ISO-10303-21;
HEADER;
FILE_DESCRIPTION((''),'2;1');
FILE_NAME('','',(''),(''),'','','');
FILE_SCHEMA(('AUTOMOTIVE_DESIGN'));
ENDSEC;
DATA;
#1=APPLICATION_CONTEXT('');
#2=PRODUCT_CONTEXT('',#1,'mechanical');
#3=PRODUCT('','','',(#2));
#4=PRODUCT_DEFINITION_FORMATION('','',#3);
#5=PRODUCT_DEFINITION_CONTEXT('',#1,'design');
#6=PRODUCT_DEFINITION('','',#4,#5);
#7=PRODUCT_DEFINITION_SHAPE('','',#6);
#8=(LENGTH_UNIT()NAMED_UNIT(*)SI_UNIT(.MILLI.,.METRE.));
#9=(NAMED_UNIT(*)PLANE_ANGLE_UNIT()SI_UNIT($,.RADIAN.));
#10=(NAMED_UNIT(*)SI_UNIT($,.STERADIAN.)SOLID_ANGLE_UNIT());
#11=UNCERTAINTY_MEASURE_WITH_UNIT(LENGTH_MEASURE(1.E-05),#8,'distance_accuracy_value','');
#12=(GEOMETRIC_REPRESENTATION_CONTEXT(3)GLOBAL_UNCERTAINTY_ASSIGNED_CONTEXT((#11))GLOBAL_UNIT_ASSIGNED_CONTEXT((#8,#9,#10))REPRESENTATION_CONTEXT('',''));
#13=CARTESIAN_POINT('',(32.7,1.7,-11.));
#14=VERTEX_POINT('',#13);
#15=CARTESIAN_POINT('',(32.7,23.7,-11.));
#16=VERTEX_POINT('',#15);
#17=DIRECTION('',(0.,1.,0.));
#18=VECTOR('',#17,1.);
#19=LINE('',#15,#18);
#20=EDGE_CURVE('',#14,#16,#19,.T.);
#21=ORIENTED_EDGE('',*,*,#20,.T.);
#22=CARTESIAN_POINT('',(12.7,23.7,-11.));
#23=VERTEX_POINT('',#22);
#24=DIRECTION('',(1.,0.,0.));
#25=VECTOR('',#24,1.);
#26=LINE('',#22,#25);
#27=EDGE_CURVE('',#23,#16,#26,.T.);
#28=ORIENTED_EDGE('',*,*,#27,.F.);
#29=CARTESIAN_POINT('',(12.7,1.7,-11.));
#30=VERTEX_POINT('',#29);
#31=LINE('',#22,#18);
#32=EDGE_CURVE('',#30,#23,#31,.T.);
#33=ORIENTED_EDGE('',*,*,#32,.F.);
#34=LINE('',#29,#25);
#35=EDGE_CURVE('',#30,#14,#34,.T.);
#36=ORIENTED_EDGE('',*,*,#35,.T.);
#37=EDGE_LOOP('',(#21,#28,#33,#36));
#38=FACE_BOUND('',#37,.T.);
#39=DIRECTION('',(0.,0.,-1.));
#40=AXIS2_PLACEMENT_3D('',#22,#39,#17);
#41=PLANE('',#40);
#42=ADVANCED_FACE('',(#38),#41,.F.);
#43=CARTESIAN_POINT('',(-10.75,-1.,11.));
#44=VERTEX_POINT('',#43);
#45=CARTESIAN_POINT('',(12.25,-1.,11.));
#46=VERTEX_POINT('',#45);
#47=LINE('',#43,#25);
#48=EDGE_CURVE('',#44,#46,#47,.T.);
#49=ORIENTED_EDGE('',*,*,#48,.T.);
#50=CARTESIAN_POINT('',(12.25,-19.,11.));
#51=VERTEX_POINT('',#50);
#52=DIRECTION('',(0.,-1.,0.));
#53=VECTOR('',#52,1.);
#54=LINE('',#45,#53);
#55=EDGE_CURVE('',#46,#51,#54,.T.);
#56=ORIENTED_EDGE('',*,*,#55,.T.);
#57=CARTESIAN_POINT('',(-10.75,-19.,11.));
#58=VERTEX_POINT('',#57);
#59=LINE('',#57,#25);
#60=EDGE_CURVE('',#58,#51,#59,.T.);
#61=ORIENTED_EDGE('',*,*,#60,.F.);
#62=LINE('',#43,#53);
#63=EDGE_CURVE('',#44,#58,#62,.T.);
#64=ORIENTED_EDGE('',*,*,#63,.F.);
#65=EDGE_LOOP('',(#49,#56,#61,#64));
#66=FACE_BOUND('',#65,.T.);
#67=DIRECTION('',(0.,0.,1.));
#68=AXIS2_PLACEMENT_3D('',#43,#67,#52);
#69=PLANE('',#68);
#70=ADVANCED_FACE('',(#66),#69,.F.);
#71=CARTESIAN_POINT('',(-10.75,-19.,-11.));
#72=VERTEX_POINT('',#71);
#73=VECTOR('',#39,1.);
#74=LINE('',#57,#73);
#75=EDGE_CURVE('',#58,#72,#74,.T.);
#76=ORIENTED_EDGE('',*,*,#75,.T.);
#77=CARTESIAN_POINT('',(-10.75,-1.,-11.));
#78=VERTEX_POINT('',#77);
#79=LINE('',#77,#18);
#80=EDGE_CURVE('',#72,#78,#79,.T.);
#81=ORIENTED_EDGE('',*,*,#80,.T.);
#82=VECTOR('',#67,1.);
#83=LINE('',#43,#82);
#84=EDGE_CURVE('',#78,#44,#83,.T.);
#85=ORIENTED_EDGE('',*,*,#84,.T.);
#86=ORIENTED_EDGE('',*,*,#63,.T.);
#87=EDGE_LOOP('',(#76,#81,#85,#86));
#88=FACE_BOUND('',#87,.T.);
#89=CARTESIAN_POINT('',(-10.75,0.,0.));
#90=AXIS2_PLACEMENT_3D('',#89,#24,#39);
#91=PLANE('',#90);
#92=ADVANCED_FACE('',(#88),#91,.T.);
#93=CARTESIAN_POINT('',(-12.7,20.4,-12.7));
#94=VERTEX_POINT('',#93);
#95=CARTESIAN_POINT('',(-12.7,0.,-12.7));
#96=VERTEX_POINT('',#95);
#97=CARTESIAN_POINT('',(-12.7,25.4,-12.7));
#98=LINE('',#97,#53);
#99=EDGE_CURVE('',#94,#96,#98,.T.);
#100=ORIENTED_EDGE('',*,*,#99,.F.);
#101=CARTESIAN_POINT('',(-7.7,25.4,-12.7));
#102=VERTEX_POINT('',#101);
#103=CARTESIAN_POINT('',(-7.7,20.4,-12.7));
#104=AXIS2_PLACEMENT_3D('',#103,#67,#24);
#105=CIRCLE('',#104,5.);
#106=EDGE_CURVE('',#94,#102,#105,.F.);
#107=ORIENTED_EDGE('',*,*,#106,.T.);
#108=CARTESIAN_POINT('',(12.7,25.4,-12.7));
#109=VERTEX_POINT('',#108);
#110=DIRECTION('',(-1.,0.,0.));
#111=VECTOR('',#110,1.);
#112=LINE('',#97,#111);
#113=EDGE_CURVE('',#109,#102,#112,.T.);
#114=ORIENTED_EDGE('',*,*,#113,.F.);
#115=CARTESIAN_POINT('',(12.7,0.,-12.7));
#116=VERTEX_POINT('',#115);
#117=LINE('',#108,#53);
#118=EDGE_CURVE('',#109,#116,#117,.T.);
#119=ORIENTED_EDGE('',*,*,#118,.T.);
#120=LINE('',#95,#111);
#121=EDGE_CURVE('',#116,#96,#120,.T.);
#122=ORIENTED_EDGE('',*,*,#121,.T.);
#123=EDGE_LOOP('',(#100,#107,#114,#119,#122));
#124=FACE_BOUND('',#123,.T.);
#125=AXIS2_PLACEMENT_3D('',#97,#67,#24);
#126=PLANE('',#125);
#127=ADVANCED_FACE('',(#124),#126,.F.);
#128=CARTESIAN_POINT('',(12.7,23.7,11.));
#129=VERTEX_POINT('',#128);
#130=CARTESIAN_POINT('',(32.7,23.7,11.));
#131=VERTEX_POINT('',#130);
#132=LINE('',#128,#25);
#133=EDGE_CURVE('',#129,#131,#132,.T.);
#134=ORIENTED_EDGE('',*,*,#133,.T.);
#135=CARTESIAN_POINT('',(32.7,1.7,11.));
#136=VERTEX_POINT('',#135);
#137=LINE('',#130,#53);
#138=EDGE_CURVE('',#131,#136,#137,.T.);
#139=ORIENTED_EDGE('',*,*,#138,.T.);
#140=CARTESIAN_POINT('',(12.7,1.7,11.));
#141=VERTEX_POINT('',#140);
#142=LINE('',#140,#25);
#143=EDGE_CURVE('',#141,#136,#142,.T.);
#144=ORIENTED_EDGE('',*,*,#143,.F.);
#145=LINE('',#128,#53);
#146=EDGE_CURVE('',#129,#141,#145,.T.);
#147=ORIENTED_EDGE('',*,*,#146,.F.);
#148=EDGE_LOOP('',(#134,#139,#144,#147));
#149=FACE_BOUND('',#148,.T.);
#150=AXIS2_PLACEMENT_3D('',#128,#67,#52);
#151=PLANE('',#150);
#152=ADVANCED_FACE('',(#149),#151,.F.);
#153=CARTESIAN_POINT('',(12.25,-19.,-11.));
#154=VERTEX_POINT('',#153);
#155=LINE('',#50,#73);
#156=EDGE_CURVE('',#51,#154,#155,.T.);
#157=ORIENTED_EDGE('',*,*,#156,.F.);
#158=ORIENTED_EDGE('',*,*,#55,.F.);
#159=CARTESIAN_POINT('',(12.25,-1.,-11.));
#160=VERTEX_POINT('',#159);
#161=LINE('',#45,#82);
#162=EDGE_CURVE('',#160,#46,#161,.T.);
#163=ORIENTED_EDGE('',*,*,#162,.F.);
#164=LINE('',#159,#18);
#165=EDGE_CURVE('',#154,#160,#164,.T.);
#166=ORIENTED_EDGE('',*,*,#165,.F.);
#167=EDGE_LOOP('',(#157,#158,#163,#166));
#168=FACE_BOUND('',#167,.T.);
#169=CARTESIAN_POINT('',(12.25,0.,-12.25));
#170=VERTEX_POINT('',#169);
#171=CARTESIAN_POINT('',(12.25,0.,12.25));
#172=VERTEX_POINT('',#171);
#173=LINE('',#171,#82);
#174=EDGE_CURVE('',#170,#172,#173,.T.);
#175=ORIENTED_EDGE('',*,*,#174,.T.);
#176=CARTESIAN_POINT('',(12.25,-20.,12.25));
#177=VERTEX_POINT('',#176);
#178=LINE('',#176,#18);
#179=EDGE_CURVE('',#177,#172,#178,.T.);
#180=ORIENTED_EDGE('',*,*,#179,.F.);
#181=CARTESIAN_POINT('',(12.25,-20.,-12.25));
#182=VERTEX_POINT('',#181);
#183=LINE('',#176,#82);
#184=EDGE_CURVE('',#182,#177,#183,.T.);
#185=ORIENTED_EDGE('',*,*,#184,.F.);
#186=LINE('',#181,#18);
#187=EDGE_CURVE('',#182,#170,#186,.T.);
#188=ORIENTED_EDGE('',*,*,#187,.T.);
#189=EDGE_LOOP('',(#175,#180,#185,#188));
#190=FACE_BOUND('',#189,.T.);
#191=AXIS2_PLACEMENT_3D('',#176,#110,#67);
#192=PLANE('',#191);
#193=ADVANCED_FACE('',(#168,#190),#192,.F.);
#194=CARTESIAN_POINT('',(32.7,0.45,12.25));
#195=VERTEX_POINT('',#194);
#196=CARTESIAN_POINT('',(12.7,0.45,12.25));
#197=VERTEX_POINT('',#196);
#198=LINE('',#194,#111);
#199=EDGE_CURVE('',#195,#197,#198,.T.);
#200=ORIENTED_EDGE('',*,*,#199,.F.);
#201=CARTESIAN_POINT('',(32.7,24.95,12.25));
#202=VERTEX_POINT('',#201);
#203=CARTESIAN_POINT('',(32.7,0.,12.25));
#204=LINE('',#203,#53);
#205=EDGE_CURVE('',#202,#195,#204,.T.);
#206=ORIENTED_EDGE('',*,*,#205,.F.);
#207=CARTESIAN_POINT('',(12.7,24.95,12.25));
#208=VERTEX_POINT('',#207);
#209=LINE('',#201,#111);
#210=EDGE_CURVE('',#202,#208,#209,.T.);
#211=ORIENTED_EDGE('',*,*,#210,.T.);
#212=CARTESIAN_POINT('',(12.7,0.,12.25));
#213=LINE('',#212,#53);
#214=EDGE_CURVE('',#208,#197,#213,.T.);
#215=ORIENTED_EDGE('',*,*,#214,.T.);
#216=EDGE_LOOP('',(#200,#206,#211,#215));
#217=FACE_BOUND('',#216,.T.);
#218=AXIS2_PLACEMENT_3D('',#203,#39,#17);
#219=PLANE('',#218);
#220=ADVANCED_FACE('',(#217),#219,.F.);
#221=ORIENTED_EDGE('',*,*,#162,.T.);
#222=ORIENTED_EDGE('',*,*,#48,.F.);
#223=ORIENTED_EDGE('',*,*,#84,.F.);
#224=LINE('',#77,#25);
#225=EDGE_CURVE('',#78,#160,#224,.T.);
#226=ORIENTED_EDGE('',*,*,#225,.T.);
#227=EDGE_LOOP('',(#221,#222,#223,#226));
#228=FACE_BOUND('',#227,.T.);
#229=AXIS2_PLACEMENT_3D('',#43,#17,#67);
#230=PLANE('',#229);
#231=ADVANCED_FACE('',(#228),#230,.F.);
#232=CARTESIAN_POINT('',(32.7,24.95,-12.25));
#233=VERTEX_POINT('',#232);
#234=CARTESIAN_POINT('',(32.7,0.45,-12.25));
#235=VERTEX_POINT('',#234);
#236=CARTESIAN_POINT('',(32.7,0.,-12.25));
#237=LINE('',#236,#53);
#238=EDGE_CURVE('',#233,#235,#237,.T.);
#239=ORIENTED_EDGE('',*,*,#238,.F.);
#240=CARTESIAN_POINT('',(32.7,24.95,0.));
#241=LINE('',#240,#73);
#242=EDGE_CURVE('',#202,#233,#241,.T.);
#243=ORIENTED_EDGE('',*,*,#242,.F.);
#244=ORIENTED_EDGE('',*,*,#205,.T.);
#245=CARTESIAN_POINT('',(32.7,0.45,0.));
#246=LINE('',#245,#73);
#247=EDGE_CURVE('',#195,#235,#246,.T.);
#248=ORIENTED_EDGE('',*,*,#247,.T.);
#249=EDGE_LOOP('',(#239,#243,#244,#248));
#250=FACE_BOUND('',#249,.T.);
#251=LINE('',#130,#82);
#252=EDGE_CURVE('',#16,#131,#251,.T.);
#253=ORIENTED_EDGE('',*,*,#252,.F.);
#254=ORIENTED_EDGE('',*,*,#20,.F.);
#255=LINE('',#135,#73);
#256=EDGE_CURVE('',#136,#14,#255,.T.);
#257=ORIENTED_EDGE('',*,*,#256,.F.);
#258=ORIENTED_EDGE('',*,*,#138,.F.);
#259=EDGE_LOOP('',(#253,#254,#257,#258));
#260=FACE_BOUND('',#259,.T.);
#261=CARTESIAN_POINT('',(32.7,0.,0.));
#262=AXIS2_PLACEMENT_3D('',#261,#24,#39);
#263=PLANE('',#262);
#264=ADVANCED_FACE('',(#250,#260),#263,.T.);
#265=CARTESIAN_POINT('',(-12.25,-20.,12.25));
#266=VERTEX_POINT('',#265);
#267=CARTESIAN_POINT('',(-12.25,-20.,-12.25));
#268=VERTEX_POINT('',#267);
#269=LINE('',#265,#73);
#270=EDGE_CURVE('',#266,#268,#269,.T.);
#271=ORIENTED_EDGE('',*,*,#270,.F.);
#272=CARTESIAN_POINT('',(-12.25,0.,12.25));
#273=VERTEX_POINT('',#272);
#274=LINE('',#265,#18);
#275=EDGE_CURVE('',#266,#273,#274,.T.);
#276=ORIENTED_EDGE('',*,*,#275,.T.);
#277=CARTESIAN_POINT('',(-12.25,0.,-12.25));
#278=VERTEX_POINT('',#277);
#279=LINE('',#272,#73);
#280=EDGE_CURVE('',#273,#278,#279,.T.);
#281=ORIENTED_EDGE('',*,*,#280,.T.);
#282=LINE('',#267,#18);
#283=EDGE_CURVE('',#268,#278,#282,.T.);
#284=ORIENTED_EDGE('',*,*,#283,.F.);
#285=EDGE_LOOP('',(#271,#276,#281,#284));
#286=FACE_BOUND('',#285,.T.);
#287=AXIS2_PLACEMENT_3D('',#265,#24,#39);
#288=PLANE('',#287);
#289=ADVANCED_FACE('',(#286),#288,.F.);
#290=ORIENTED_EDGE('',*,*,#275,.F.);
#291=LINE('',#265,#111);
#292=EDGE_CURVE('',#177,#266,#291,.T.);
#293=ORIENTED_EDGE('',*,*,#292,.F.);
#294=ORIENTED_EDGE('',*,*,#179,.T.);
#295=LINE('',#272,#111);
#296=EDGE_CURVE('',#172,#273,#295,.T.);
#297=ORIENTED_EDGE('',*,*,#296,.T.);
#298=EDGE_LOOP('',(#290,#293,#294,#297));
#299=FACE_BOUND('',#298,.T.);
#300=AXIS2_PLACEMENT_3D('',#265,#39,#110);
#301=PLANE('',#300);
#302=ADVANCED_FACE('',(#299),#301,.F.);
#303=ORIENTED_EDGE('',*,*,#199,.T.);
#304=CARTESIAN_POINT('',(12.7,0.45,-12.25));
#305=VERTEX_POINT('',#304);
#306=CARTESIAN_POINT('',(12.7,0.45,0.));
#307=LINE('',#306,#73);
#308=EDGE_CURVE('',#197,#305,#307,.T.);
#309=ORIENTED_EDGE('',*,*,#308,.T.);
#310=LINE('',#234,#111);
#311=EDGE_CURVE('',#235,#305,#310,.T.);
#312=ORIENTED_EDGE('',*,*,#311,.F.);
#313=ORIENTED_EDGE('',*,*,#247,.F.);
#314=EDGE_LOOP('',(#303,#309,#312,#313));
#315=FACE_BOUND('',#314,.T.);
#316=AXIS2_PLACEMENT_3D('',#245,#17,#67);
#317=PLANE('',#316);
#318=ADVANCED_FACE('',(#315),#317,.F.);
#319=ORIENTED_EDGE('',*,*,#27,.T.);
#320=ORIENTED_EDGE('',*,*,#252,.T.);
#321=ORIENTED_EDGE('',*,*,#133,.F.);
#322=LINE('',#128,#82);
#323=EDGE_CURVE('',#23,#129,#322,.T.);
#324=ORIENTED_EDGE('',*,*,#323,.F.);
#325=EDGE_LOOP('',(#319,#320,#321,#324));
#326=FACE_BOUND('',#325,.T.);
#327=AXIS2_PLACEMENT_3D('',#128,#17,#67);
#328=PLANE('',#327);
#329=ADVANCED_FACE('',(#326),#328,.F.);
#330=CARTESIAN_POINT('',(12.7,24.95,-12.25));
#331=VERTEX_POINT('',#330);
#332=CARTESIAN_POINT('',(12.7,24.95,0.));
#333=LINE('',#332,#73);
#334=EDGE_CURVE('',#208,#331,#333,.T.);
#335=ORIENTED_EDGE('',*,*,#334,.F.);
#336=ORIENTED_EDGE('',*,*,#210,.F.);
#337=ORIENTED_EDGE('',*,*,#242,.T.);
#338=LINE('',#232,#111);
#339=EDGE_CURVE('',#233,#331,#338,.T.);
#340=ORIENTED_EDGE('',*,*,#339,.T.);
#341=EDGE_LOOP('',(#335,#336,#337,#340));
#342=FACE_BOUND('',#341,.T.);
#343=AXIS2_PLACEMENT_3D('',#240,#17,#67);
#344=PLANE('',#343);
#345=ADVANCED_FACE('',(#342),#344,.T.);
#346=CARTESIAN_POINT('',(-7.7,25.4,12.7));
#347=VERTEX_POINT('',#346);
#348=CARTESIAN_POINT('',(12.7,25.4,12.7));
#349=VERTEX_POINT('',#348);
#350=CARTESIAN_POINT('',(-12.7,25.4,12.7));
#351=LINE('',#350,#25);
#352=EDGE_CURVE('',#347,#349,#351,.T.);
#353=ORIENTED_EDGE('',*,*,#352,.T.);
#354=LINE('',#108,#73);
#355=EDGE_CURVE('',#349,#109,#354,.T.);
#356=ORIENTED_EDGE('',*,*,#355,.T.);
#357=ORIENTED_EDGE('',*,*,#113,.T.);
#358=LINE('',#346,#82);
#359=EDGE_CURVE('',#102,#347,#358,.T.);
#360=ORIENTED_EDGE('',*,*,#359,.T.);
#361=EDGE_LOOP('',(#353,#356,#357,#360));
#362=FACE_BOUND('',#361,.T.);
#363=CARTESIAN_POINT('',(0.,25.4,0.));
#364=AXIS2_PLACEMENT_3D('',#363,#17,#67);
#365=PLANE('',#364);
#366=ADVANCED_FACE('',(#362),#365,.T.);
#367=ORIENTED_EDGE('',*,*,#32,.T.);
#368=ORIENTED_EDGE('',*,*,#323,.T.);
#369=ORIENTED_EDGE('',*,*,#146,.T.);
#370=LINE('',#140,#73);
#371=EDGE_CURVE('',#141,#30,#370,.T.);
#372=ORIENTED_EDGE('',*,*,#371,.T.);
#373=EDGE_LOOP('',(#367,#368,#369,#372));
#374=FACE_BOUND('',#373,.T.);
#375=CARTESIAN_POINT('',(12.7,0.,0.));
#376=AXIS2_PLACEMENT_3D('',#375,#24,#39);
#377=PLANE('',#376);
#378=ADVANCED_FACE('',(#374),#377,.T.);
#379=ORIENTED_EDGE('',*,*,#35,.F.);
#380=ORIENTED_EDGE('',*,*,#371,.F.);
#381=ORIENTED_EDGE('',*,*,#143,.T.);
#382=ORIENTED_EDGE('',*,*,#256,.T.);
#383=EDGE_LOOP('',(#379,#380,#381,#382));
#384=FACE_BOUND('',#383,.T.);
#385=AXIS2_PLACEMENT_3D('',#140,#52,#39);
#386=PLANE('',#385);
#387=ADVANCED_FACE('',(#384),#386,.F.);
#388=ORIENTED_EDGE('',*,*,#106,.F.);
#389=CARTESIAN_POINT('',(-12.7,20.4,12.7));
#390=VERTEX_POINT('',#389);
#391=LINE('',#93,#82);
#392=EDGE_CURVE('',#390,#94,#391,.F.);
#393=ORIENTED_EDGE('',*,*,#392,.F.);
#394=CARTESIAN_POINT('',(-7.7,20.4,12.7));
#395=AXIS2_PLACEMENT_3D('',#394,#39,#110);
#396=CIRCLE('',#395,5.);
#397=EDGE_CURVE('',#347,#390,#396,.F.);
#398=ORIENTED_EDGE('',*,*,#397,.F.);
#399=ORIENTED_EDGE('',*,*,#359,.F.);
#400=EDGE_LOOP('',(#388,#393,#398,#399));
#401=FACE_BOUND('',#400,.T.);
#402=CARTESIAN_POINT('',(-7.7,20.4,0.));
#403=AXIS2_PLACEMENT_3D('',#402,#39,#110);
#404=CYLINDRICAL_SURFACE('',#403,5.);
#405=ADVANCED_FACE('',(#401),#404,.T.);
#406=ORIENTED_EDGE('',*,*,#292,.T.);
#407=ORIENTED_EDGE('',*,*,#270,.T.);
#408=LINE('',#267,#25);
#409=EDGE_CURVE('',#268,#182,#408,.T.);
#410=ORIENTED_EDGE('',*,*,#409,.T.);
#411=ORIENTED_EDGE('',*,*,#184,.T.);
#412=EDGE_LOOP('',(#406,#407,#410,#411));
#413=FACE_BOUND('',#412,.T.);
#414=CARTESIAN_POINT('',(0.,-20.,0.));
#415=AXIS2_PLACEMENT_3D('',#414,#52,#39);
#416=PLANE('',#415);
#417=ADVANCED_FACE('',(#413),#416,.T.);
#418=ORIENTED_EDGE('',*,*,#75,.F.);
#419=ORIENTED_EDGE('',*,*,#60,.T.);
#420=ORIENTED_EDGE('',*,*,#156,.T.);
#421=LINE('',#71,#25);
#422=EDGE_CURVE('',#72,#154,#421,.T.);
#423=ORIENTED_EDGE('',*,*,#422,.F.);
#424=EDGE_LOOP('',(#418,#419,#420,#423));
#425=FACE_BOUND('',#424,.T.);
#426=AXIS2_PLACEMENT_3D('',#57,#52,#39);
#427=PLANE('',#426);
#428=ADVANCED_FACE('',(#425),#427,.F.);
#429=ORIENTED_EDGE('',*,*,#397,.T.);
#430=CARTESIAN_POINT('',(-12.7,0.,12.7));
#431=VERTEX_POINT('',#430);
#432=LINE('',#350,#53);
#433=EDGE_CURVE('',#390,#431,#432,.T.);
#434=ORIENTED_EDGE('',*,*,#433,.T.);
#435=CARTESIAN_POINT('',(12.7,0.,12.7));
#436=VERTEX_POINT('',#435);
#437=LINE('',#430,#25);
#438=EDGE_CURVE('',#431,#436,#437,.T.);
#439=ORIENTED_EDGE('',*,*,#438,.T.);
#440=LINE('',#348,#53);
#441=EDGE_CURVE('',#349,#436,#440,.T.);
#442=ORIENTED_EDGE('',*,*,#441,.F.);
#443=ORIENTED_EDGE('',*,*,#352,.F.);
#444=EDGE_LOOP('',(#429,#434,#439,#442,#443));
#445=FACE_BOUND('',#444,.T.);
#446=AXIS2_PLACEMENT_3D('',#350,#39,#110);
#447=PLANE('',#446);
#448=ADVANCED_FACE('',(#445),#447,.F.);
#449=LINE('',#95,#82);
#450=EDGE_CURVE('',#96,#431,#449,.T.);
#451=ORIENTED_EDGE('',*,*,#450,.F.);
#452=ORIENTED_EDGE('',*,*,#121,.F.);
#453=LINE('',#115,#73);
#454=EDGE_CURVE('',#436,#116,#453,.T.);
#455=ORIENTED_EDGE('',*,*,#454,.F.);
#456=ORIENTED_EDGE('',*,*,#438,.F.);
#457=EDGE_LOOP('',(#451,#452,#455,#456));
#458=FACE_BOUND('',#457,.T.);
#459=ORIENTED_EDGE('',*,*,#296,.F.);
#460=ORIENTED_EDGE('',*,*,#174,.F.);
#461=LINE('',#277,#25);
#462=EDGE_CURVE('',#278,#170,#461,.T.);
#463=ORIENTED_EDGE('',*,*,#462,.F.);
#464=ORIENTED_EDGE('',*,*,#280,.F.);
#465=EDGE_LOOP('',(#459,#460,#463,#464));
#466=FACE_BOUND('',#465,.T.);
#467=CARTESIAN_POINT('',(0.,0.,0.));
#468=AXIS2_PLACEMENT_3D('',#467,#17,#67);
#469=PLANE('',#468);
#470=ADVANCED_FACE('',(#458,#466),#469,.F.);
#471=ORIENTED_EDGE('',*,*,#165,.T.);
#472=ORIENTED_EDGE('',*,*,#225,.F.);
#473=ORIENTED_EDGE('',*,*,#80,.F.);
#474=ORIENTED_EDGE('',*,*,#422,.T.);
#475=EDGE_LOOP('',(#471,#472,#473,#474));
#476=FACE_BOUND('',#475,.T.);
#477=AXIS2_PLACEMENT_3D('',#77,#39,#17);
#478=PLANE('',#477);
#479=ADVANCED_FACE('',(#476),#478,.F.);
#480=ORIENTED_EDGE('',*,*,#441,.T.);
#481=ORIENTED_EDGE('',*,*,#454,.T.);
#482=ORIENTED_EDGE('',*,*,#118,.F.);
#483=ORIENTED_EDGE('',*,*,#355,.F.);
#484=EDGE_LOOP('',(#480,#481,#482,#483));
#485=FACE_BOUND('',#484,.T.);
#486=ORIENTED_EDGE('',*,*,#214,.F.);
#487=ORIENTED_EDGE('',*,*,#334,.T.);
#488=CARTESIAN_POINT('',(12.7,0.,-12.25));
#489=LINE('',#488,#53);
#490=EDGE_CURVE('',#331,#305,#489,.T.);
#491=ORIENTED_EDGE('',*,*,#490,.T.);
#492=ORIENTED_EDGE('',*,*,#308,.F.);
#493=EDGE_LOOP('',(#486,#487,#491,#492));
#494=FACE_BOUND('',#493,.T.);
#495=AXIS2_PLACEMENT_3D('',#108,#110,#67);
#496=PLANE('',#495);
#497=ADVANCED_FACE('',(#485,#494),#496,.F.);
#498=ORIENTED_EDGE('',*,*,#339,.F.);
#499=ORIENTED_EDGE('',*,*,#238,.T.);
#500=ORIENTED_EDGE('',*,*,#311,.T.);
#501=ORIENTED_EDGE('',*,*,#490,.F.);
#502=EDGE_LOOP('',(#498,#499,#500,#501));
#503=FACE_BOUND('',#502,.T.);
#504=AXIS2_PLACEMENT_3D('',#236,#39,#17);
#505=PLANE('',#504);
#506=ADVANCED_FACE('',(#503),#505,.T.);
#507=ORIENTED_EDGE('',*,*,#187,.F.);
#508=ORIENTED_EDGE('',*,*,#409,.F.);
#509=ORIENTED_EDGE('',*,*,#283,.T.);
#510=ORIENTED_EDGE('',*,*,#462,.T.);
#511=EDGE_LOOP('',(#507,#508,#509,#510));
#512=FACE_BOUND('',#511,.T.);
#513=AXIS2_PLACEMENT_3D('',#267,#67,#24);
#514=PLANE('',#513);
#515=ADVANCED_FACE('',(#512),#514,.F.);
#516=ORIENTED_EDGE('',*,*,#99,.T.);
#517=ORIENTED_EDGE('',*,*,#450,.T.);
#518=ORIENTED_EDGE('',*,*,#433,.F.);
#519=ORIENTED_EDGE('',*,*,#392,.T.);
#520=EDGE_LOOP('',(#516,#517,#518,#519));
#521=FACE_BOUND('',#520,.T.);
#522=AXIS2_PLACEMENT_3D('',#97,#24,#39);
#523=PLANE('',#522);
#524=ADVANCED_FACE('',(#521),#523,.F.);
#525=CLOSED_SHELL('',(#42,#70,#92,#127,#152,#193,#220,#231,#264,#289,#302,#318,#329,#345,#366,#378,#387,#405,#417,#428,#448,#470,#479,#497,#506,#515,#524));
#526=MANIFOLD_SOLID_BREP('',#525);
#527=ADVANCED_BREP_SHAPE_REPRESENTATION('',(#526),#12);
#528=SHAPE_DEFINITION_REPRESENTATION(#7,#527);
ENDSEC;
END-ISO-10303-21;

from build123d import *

# Parameters (mm, degrees)
SKETCH1_W           = 25.4
SKETCH1_H           = 25.4
BOSS_EXTRUDE1_DEPTH = 25.4
FILLET1_R           = 5
SKETCH2_W           = 24.5
SKETCH2_H           = 24.5
BOSS_EXTRUDE2_DEPTH = 20
SKETCH3_W           = 22
SKETCH3_H           = 22
CUT_EXTRUDE1_DEPTH  = 20
SKETCH4_W           = 24.5
SKETCH4_H           = 24.5
BOSS_EXTRUDE3_DEPTH = 20
SKETCH5_W           = 22
SKETCH5_H           = 18
CUT_EXTRUDE2_DEPTH  = 23


with BuildPart() as part:
    # Sketch1 → Boss-Extrude1 (new body)
    with BuildSketch(Plane(origin=(0, 0, 0), x_dir=(1, 0, 0), z_dir=(0, 1, 0))):
        Rectangle(SKETCH1_W, SKETCH1_H)
    extrude(amount=BOSS_EXTRUDE1_DEPTH)

    # Fillet1
    fillet1_edges = [part.edges().sort_by_distance(p)[0] for p in [
        (-12.7, 25.4, 0),
    ]]
    fillet(fillet1_edges, radius=FILLET1_R)

    # Sketch2 → Boss-Extrude2 (add)
    with BuildSketch(Plane(origin=(12.7, 0, 0), x_dir=(0, 0, -1), z_dir=(1, 0, 0))):
        with Locations((0, 12.7)):
            Rectangle(SKETCH2_W, SKETCH2_H)
    extrude(amount=BOSS_EXTRUDE2_DEPTH)

    # Sketch3 → Cut-Extrude1 (cut)
    with BuildSketch(Plane(origin=(32.7, 0, 0), x_dir=(0, 0, -1), z_dir=(1, 0, 0))):
        with Locations((0, 12.7)):
            Rectangle(SKETCH3_W, SKETCH3_H)
    extrude(amount=-CUT_EXTRUDE1_DEPTH, mode=Mode.SUBTRACT)

    # Sketch4 → Boss-Extrude3 (add)
    with BuildSketch(Plane.XZ):
        Rectangle(SKETCH4_W, SKETCH4_H)
    extrude(amount=BOSS_EXTRUDE3_DEPTH)

    # Sketch5 → Cut-Extrude2 (cut)
    with BuildSketch(Plane(origin=(12.25, 0, 0), x_dir=(0, 0, -1), z_dir=(1, 0, 0))):
        with Locations((0, -10)):
            Rectangle(SKETCH5_W, SKETCH5_H)
    extrude(amount=-CUT_EXTRUDE2_DEPTH, mode=Mode.SUBTRACT)


solid = part.part
